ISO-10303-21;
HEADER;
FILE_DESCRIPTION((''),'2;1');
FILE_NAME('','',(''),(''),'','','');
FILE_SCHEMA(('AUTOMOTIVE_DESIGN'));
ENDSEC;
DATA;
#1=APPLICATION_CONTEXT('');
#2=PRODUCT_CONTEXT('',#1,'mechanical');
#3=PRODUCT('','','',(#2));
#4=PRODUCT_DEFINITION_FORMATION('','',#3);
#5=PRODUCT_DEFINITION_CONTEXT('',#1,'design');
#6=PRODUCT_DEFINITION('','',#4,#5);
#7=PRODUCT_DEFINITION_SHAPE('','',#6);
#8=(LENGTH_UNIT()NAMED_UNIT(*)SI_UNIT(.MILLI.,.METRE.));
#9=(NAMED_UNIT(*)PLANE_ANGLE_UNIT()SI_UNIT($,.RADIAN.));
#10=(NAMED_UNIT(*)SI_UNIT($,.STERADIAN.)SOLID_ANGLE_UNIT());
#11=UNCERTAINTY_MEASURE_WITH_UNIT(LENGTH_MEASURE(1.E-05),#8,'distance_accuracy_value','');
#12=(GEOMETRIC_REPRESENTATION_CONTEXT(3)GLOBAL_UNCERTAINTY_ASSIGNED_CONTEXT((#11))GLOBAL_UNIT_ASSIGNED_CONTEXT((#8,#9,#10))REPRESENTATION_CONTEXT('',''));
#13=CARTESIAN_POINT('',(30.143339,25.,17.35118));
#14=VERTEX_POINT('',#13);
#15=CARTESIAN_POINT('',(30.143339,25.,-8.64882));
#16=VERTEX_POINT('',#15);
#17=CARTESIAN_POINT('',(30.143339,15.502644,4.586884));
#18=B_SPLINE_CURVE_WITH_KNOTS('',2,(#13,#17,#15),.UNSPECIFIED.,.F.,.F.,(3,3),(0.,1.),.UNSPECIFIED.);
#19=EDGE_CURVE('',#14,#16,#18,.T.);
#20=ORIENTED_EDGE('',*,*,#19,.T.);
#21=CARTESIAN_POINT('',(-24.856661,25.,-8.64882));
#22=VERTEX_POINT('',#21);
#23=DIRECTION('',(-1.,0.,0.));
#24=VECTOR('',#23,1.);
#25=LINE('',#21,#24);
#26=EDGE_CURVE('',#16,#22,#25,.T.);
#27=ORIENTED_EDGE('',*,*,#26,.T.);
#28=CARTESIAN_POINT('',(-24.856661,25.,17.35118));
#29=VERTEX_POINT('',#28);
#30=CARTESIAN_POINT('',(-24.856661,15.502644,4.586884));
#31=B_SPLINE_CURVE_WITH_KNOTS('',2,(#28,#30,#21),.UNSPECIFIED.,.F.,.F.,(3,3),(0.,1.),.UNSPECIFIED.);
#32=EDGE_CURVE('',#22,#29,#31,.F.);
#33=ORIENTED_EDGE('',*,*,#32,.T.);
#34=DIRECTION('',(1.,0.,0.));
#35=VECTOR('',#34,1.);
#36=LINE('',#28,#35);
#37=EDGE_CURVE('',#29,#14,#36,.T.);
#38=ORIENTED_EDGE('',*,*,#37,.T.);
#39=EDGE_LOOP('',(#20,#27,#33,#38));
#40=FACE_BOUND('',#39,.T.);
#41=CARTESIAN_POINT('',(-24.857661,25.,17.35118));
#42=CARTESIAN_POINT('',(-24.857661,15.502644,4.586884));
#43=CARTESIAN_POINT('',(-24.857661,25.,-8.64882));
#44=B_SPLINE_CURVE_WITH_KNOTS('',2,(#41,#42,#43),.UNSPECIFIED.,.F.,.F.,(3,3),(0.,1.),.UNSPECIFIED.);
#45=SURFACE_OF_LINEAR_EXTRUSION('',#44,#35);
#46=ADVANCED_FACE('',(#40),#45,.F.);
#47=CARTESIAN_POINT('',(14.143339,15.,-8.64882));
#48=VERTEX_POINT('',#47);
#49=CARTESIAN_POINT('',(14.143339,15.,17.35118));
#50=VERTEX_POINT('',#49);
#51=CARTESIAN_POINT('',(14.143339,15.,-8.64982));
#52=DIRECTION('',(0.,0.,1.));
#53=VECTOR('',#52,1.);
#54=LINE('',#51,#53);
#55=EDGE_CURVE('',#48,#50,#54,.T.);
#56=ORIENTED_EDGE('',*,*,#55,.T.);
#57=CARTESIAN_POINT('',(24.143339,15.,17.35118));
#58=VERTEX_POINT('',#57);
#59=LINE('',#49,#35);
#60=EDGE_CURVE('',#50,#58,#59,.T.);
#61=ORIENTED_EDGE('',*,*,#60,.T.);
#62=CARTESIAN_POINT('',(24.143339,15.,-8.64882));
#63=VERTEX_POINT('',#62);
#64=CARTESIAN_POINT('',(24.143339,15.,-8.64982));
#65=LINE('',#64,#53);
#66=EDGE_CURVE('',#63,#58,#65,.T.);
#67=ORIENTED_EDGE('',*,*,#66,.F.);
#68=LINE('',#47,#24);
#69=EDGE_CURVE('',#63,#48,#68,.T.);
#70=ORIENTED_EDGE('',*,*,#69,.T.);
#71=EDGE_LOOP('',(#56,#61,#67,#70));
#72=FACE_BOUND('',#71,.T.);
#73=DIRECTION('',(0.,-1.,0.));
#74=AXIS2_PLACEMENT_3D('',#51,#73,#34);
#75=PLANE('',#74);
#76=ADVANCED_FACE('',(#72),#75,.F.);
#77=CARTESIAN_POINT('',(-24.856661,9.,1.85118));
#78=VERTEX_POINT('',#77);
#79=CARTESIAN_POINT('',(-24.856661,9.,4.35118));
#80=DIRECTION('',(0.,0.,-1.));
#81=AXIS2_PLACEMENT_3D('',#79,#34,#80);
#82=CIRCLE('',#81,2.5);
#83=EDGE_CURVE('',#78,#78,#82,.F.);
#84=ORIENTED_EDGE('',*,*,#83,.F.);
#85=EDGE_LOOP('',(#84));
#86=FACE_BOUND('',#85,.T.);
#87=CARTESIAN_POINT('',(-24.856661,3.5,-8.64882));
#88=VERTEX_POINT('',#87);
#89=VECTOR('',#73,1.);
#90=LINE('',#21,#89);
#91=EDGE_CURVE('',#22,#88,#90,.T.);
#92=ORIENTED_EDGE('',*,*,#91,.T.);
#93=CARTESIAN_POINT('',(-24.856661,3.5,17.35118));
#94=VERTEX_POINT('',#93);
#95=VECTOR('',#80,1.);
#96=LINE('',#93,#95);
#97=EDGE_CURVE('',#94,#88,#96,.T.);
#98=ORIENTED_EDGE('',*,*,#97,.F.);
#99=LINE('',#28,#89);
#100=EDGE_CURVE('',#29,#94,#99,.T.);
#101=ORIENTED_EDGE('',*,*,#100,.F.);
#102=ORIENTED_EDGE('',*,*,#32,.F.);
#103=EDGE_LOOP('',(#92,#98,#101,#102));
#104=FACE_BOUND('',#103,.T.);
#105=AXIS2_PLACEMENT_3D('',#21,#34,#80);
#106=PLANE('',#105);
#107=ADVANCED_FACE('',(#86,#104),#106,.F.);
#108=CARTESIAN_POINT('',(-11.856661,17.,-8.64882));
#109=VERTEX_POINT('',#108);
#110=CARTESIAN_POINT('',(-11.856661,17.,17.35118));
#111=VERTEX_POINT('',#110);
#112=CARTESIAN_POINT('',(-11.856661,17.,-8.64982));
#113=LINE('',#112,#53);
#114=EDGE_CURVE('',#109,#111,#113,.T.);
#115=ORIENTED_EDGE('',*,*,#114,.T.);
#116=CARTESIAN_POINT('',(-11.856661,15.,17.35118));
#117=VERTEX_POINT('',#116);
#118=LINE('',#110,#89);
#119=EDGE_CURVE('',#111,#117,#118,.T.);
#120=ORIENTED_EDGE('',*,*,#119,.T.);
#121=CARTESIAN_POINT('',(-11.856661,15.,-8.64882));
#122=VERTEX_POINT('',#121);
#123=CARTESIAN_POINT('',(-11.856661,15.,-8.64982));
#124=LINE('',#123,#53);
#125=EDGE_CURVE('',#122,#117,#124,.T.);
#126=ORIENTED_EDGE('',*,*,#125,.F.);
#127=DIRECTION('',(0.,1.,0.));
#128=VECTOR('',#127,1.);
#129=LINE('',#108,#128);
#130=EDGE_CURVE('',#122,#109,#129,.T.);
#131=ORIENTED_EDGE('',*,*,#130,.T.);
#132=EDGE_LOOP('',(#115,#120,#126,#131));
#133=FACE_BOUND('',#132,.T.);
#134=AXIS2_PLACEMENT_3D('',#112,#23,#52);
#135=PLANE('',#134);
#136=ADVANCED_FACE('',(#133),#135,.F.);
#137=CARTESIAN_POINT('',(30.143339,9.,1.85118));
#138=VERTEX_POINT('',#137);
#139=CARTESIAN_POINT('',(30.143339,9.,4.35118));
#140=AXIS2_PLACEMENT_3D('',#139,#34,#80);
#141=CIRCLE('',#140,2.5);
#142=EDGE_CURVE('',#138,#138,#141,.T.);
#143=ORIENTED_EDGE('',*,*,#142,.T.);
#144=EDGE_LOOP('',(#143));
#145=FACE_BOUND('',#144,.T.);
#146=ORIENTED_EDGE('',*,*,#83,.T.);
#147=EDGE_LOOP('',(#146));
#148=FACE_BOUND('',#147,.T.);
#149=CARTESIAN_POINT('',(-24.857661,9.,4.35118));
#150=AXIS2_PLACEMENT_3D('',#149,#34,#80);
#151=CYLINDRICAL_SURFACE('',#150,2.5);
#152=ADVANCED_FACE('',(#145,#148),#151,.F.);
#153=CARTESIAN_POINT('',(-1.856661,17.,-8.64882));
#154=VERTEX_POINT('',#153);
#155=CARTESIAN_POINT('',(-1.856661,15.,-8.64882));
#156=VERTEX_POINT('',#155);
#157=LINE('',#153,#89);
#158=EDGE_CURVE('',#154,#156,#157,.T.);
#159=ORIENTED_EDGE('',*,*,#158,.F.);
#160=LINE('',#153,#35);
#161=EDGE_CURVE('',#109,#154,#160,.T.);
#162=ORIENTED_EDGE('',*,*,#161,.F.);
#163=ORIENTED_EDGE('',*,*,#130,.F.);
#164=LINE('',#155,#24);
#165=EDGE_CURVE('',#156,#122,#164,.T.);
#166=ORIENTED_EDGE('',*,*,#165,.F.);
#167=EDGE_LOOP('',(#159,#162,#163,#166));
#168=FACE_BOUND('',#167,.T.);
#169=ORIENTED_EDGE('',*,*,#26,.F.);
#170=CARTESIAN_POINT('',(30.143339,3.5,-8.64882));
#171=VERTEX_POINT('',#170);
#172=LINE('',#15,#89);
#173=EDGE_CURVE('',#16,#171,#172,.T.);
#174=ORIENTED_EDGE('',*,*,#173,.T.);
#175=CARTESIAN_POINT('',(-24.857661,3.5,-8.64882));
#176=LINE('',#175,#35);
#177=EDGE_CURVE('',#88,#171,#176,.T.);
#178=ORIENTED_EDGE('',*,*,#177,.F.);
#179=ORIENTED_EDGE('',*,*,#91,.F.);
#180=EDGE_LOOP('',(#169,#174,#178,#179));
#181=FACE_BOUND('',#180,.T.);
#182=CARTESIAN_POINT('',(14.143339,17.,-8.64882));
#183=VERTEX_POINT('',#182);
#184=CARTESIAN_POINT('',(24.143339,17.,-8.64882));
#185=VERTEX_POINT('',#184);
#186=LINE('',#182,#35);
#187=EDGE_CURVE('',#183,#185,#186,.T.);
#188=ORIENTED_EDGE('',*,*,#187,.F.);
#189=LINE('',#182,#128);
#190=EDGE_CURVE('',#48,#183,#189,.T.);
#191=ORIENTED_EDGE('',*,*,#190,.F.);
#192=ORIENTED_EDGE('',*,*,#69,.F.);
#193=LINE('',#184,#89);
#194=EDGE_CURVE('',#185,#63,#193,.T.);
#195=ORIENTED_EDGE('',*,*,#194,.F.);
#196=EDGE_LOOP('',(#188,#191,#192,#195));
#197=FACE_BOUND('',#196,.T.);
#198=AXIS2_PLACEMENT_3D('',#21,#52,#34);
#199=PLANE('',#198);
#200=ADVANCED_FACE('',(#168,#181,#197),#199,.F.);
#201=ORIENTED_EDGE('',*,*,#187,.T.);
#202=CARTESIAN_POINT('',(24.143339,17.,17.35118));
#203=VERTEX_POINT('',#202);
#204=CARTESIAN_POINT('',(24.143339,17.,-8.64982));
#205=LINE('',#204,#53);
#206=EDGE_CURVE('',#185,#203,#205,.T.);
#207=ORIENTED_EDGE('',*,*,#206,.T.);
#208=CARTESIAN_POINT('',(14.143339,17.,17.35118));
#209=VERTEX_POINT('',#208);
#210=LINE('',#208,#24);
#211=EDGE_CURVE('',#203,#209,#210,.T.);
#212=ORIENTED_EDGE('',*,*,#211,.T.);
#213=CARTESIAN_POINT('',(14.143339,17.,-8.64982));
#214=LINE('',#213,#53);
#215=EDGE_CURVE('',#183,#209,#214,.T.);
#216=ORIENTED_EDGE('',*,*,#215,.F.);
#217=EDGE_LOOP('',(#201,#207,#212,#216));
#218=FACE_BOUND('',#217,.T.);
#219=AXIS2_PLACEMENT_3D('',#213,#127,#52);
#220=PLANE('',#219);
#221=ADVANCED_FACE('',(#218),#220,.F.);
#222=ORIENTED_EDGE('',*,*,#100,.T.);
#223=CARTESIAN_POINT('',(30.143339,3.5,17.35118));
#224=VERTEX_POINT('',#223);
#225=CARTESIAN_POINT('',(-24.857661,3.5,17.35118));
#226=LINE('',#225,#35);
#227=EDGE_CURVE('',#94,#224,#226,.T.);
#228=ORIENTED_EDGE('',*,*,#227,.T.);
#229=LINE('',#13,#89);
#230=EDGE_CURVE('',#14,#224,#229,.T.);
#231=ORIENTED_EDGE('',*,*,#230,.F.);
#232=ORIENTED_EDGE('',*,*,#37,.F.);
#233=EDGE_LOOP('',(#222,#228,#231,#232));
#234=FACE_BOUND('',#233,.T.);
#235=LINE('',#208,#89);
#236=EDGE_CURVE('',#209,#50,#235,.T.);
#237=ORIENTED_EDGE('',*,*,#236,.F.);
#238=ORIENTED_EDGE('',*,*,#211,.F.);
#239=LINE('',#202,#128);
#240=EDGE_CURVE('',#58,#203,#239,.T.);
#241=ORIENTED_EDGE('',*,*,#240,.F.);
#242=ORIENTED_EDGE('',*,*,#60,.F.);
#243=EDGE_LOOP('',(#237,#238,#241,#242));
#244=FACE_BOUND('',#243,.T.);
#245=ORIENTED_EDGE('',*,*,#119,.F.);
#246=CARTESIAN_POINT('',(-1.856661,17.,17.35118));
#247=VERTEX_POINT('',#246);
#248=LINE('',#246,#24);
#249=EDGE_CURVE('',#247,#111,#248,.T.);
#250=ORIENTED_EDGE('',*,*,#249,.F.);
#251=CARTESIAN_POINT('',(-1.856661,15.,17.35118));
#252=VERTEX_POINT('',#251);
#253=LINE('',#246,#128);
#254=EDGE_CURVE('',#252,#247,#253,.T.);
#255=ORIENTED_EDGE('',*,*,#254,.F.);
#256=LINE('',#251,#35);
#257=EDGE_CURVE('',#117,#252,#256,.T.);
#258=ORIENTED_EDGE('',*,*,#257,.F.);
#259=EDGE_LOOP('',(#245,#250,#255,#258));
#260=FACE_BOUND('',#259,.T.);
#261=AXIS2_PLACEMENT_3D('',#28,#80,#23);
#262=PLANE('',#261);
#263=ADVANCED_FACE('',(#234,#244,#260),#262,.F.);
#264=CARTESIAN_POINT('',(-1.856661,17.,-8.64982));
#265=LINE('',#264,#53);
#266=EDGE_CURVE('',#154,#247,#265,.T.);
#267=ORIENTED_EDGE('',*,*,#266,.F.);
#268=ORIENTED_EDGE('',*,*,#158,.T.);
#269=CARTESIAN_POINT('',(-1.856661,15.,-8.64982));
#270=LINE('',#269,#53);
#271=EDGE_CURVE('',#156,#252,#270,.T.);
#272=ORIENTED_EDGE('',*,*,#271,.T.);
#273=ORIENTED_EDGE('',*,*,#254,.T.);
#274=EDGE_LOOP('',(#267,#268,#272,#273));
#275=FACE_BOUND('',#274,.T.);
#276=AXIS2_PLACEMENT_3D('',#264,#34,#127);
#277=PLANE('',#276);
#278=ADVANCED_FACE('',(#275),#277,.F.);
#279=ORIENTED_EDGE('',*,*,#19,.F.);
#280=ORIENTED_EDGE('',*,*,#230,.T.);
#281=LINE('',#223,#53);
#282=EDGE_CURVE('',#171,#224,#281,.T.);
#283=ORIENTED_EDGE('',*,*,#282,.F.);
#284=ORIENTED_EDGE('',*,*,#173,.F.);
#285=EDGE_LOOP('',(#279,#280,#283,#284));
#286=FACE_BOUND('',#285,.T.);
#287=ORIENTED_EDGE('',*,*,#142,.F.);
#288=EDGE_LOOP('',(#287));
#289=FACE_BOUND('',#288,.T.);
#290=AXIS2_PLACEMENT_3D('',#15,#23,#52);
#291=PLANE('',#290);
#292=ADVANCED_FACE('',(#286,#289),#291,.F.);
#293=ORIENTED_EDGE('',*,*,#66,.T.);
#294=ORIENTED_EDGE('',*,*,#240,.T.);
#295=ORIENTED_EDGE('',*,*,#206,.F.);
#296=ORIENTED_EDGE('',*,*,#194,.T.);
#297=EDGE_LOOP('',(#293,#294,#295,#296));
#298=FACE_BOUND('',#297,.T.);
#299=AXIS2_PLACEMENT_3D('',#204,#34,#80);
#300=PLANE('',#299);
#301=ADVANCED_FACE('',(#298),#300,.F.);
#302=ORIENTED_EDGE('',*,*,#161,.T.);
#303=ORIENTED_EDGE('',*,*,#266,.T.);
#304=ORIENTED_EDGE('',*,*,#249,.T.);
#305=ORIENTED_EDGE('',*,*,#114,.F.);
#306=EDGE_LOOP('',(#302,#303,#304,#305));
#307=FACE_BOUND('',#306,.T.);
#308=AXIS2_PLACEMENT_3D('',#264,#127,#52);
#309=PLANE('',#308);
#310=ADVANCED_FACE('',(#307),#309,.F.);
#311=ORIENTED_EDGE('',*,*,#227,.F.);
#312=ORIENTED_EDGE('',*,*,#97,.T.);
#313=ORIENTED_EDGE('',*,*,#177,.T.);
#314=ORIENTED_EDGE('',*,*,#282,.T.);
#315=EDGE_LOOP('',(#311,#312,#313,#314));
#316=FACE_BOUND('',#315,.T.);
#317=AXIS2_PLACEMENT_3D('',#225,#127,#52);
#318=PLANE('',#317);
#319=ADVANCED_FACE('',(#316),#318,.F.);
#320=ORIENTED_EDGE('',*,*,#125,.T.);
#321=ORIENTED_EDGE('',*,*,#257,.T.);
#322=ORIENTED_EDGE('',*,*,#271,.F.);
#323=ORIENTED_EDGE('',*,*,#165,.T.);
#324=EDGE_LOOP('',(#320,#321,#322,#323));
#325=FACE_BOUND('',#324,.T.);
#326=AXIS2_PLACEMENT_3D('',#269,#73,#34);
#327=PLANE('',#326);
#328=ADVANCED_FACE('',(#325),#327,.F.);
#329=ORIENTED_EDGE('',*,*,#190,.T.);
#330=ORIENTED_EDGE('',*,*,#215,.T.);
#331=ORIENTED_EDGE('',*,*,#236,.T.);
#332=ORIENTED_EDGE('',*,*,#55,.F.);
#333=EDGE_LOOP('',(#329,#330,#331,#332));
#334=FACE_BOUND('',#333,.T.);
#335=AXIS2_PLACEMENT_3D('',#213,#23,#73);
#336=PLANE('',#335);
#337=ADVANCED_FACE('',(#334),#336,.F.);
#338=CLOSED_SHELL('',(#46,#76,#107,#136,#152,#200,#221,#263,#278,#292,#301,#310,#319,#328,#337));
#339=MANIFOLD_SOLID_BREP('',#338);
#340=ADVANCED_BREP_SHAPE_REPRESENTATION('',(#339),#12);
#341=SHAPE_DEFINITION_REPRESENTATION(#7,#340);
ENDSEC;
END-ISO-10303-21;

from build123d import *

# Parameters (mm, degrees)
ESQUISSE1_W             = 55
ESQUISSE1_H             = 26
BOSS_EXTRU_1_DEPTH      = 25
ENL_V_MAT_EXTRU_1_REACH = 49.007
ESQUISSE2_W             = 10
ESQUISSE2_H             = 2
ENL_V_MAT_EXTRU_5_REACH = 64.857
ESQUISSE5_R             = 2.5
ESQUISSE5_W             = 26
ESQUISSE5_H             = 3.5


with BuildPart() as part:
    # Esquisse1 → Boss.-Extru.1 (new body)
    with BuildSketch(Plane(origin=(0, 0, 0), x_dir=(1, 0, 0), z_dir=(0, 1, 0))):
        with Locations((2.643338954, -4.351180438)):
            Rectangle(ESQUISSE1_W, ESQUISSE1_H)
    extrude(amount=BOSS_EXTRU_1_DEPTH)

    # Esquisse2 → Enlèv. mat.-Extru.1 (cut, up to next)
    with BuildSketch(Plane.XY.offset(17.351180438), mode=Mode.PRIVATE) as enl_v_mat_extru_1_sk1:
        with Locations((19.143338954, 16)):
            Rectangle(ESQUISSE2_W, ESQUISSE2_H)
    enl_v_mat_extru_1_tool1 = extrude(enl_v_mat_extru_1_sk1.sketch, amount=-ENL_V_MAT_EXTRU_1_REACH, mode=Mode.PRIVATE) & part.part
    # Esquisse2 → Enlèv. mat.-Extru.1 (cut, up to next)
    with BuildSketch(Plane.XY.offset(17.351180438), mode=Mode.PRIVATE) as enl_v_mat_extru_1_sk2:
        with Locations((-6.856661046, 16)):
            Rectangle(ESQUISSE2_W, ESQUISSE2_H)
    enl_v_mat_extru_1_tool2 = extrude(enl_v_mat_extru_1_sk2.sketch, amount=-ENL_V_MAT_EXTRU_1_REACH, mode=Mode.PRIVATE) & part.part
    add(enl_v_mat_extru_1_tool1.solids().sort_by_distance((19.143339, 16, 17.35118))[0], mode=Mode.SUBTRACT)
    add(enl_v_mat_extru_1_tool2.solids().sort_by_distance((-6.856661, 16, 17.35118))[0], mode=Mode.SUBTRACT)

    # Esquisse5 → Enlèv. mat.-Extru.5 (cut, up to next)
    with BuildSketch(Plane(origin=(30.143338954, 0, 0), x_dir=(0, 0, -1), z_dir=(1, 0, 0)), mode=Mode.PRIVATE) as enl_v_mat_extru_5_sk1:
        with Locations((-4.351180438, 9)):
            Circle(ESQUISSE5_R)
    enl_v_mat_extru_5_tool1 = extrude(enl_v_mat_extru_5_sk1.sketch, amount=-ENL_V_MAT_EXTRU_5_REACH, mode=Mode.PRIVATE) & part.part
    # Esquisse5 → Enlèv. mat.-Extru.5 (cut, up to next)
    with BuildSketch(Plane(origin=(30.143338954, 0, 0), x_dir=(0, 0, -1), z_dir=(1, 0, 0)), mode=Mode.PRIVATE) as enl_v_mat_extru_5_sk2:
        with BuildLine():
            Line((-17.351180438, 25), (8.648819562, 25))
            add(Edge.make_bspline(
                [(-17.351180438, 25), (-4.586883511, 15.502643884), (8.648819562, 25)],
                knots=[0, 0, 0, 1, 1, 1], degree=2))
        make_face()
    enl_v_mat_extru_5_tool2 = extrude(enl_v_mat_extru_5_sk2.sketch, amount=-ENL_V_MAT_EXTRU_5_REACH, mode=Mode.PRIVATE) & part.part
    # Esquisse5 → Enlèv. mat.-Extru.5 (cut, up to next)
    with BuildSketch(Plane(origin=(30.143338954, 0, 0), x_dir=(0, 0, -1), z_dir=(1, 0, 0)), mode=Mode.PRIVATE) as enl_v_mat_extru_5_sk3:
        with Locations((-4.351180438, 1.75)):
            Rectangle(ESQUISSE5_W, ESQUISSE5_H)
    enl_v_mat_extru_5_tool3 = extrude(enl_v_mat_extru_5_sk3.sketch, amount=-ENL_V_MAT_EXTRU_5_REACH, mode=Mode.PRIVATE) & part.part
    add(enl_v_mat_extru_5_tool1.solids().sort_by_distance((30.143339, 9, 4.35118))[0], mode=Mode.SUBTRACT)
    add(enl_v_mat_extru_5_tool2.solids().sort_by_distance((30.143339, 23.100529, 4.398321))[0], mode=Mode.SUBTRACT)
    add(enl_v_mat_extru_5_tool3.solids().sort_by_distance((30.143339, 1.75, 4.35118))[0], mode=Mode.SUBTRACT)


solid = part.part
